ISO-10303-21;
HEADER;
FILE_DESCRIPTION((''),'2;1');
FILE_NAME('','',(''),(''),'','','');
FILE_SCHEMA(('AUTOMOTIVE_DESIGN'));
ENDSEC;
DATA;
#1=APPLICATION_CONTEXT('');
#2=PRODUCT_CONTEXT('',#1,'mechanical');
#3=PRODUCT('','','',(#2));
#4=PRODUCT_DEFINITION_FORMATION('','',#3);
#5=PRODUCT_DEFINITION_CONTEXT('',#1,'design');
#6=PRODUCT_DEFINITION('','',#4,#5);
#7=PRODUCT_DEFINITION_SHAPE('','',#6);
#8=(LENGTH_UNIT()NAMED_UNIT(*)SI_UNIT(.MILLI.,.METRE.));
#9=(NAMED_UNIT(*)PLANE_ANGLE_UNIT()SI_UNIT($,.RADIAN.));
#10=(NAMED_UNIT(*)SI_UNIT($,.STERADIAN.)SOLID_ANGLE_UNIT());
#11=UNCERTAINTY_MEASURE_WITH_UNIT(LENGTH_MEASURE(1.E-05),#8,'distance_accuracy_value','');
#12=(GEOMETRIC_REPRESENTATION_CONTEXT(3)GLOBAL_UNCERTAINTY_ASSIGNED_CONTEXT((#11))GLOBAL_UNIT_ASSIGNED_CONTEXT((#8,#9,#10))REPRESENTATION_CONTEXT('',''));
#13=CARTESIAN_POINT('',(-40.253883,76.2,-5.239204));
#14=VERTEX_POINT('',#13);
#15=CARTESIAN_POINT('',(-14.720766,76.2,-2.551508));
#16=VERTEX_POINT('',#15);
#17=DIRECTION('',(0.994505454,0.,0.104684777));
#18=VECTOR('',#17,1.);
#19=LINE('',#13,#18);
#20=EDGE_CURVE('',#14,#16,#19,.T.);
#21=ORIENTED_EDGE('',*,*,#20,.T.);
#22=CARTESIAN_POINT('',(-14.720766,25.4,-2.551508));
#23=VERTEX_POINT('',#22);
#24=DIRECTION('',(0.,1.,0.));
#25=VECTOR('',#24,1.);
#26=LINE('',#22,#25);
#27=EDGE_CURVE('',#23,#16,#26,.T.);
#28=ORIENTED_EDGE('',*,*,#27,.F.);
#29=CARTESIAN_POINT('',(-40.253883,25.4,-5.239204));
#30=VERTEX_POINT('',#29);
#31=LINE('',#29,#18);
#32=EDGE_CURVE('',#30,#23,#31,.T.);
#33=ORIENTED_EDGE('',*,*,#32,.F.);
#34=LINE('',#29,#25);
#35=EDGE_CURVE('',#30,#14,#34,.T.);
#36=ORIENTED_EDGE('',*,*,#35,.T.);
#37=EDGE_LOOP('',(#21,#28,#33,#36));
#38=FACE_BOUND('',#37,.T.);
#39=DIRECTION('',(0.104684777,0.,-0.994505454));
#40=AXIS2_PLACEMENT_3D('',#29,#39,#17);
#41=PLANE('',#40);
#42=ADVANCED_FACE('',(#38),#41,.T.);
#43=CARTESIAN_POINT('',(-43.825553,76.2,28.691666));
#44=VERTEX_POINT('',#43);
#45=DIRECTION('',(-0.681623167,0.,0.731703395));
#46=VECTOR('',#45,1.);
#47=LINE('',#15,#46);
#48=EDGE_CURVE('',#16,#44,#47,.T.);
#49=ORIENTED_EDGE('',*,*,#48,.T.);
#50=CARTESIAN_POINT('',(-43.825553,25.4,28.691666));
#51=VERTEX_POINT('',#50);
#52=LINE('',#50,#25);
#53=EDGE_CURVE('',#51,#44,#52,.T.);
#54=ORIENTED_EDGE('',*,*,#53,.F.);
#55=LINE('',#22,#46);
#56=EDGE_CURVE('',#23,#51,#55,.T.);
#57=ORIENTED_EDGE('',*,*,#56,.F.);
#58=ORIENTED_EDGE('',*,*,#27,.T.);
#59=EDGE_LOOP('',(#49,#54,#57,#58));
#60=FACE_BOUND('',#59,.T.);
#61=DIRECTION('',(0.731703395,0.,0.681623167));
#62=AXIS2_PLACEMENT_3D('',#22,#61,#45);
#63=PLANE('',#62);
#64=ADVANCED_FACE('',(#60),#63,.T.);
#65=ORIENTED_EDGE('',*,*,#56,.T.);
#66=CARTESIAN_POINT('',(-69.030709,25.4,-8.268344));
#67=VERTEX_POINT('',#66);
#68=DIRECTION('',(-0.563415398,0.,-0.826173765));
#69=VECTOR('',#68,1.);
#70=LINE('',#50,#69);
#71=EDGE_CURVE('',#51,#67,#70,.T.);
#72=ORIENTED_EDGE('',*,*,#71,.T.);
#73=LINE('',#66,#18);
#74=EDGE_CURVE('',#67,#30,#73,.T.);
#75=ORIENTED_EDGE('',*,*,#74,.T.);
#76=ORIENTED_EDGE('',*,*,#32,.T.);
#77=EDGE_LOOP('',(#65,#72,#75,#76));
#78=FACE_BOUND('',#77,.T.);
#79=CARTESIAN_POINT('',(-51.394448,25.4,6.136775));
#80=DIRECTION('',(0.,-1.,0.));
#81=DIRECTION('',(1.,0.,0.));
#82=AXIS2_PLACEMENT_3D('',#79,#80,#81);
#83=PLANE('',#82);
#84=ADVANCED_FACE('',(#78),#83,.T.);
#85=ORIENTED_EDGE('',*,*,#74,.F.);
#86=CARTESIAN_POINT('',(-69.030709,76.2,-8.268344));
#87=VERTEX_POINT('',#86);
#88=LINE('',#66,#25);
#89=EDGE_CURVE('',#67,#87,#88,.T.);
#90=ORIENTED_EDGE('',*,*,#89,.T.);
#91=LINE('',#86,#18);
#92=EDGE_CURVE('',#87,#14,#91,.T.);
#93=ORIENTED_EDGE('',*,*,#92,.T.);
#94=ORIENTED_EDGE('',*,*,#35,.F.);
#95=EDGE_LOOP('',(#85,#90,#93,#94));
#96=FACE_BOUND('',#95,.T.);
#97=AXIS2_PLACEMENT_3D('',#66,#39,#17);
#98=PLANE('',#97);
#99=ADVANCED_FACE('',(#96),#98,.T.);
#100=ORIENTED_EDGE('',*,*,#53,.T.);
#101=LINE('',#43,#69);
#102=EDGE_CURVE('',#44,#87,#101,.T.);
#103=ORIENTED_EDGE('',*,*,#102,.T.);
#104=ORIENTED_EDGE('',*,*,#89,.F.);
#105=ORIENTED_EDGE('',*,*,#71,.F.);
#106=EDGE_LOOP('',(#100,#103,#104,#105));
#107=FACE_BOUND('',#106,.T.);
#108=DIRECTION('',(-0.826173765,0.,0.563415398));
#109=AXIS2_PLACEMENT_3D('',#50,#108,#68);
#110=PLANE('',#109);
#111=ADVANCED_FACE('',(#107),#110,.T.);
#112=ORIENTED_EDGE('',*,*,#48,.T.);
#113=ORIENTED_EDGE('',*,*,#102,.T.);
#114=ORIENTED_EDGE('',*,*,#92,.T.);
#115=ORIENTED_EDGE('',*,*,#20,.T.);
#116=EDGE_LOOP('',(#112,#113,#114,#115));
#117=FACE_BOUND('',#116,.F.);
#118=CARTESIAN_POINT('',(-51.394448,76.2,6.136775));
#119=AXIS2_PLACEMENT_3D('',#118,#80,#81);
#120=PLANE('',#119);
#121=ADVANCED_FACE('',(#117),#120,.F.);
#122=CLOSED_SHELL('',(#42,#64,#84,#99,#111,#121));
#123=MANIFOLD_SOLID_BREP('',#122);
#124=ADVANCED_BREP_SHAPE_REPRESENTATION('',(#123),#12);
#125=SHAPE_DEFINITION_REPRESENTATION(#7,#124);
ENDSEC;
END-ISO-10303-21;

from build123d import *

# Parameters (mm, degrees)
F1_START = -25.4
F1_DEPTH = 50.8


with BuildPart() as f1:
    # F0 (on Front) → F1 (new body)
    with BuildSketch(Plane.XZ.offset(F1_START)):
        Polygon((-40.2538828218, -5.2392042407), (-43.8255531222, 28.6916662135), (-69.0307091341, -8.2683436204), align=None)
        Polygon((-14.7207663044, -2.5515079712), (-43.8255531222, 28.6916662135), (-40.2538828218, -5.2392042407), align=None)
    extrude(amount=-F1_DEPTH)


solid = f1.part
